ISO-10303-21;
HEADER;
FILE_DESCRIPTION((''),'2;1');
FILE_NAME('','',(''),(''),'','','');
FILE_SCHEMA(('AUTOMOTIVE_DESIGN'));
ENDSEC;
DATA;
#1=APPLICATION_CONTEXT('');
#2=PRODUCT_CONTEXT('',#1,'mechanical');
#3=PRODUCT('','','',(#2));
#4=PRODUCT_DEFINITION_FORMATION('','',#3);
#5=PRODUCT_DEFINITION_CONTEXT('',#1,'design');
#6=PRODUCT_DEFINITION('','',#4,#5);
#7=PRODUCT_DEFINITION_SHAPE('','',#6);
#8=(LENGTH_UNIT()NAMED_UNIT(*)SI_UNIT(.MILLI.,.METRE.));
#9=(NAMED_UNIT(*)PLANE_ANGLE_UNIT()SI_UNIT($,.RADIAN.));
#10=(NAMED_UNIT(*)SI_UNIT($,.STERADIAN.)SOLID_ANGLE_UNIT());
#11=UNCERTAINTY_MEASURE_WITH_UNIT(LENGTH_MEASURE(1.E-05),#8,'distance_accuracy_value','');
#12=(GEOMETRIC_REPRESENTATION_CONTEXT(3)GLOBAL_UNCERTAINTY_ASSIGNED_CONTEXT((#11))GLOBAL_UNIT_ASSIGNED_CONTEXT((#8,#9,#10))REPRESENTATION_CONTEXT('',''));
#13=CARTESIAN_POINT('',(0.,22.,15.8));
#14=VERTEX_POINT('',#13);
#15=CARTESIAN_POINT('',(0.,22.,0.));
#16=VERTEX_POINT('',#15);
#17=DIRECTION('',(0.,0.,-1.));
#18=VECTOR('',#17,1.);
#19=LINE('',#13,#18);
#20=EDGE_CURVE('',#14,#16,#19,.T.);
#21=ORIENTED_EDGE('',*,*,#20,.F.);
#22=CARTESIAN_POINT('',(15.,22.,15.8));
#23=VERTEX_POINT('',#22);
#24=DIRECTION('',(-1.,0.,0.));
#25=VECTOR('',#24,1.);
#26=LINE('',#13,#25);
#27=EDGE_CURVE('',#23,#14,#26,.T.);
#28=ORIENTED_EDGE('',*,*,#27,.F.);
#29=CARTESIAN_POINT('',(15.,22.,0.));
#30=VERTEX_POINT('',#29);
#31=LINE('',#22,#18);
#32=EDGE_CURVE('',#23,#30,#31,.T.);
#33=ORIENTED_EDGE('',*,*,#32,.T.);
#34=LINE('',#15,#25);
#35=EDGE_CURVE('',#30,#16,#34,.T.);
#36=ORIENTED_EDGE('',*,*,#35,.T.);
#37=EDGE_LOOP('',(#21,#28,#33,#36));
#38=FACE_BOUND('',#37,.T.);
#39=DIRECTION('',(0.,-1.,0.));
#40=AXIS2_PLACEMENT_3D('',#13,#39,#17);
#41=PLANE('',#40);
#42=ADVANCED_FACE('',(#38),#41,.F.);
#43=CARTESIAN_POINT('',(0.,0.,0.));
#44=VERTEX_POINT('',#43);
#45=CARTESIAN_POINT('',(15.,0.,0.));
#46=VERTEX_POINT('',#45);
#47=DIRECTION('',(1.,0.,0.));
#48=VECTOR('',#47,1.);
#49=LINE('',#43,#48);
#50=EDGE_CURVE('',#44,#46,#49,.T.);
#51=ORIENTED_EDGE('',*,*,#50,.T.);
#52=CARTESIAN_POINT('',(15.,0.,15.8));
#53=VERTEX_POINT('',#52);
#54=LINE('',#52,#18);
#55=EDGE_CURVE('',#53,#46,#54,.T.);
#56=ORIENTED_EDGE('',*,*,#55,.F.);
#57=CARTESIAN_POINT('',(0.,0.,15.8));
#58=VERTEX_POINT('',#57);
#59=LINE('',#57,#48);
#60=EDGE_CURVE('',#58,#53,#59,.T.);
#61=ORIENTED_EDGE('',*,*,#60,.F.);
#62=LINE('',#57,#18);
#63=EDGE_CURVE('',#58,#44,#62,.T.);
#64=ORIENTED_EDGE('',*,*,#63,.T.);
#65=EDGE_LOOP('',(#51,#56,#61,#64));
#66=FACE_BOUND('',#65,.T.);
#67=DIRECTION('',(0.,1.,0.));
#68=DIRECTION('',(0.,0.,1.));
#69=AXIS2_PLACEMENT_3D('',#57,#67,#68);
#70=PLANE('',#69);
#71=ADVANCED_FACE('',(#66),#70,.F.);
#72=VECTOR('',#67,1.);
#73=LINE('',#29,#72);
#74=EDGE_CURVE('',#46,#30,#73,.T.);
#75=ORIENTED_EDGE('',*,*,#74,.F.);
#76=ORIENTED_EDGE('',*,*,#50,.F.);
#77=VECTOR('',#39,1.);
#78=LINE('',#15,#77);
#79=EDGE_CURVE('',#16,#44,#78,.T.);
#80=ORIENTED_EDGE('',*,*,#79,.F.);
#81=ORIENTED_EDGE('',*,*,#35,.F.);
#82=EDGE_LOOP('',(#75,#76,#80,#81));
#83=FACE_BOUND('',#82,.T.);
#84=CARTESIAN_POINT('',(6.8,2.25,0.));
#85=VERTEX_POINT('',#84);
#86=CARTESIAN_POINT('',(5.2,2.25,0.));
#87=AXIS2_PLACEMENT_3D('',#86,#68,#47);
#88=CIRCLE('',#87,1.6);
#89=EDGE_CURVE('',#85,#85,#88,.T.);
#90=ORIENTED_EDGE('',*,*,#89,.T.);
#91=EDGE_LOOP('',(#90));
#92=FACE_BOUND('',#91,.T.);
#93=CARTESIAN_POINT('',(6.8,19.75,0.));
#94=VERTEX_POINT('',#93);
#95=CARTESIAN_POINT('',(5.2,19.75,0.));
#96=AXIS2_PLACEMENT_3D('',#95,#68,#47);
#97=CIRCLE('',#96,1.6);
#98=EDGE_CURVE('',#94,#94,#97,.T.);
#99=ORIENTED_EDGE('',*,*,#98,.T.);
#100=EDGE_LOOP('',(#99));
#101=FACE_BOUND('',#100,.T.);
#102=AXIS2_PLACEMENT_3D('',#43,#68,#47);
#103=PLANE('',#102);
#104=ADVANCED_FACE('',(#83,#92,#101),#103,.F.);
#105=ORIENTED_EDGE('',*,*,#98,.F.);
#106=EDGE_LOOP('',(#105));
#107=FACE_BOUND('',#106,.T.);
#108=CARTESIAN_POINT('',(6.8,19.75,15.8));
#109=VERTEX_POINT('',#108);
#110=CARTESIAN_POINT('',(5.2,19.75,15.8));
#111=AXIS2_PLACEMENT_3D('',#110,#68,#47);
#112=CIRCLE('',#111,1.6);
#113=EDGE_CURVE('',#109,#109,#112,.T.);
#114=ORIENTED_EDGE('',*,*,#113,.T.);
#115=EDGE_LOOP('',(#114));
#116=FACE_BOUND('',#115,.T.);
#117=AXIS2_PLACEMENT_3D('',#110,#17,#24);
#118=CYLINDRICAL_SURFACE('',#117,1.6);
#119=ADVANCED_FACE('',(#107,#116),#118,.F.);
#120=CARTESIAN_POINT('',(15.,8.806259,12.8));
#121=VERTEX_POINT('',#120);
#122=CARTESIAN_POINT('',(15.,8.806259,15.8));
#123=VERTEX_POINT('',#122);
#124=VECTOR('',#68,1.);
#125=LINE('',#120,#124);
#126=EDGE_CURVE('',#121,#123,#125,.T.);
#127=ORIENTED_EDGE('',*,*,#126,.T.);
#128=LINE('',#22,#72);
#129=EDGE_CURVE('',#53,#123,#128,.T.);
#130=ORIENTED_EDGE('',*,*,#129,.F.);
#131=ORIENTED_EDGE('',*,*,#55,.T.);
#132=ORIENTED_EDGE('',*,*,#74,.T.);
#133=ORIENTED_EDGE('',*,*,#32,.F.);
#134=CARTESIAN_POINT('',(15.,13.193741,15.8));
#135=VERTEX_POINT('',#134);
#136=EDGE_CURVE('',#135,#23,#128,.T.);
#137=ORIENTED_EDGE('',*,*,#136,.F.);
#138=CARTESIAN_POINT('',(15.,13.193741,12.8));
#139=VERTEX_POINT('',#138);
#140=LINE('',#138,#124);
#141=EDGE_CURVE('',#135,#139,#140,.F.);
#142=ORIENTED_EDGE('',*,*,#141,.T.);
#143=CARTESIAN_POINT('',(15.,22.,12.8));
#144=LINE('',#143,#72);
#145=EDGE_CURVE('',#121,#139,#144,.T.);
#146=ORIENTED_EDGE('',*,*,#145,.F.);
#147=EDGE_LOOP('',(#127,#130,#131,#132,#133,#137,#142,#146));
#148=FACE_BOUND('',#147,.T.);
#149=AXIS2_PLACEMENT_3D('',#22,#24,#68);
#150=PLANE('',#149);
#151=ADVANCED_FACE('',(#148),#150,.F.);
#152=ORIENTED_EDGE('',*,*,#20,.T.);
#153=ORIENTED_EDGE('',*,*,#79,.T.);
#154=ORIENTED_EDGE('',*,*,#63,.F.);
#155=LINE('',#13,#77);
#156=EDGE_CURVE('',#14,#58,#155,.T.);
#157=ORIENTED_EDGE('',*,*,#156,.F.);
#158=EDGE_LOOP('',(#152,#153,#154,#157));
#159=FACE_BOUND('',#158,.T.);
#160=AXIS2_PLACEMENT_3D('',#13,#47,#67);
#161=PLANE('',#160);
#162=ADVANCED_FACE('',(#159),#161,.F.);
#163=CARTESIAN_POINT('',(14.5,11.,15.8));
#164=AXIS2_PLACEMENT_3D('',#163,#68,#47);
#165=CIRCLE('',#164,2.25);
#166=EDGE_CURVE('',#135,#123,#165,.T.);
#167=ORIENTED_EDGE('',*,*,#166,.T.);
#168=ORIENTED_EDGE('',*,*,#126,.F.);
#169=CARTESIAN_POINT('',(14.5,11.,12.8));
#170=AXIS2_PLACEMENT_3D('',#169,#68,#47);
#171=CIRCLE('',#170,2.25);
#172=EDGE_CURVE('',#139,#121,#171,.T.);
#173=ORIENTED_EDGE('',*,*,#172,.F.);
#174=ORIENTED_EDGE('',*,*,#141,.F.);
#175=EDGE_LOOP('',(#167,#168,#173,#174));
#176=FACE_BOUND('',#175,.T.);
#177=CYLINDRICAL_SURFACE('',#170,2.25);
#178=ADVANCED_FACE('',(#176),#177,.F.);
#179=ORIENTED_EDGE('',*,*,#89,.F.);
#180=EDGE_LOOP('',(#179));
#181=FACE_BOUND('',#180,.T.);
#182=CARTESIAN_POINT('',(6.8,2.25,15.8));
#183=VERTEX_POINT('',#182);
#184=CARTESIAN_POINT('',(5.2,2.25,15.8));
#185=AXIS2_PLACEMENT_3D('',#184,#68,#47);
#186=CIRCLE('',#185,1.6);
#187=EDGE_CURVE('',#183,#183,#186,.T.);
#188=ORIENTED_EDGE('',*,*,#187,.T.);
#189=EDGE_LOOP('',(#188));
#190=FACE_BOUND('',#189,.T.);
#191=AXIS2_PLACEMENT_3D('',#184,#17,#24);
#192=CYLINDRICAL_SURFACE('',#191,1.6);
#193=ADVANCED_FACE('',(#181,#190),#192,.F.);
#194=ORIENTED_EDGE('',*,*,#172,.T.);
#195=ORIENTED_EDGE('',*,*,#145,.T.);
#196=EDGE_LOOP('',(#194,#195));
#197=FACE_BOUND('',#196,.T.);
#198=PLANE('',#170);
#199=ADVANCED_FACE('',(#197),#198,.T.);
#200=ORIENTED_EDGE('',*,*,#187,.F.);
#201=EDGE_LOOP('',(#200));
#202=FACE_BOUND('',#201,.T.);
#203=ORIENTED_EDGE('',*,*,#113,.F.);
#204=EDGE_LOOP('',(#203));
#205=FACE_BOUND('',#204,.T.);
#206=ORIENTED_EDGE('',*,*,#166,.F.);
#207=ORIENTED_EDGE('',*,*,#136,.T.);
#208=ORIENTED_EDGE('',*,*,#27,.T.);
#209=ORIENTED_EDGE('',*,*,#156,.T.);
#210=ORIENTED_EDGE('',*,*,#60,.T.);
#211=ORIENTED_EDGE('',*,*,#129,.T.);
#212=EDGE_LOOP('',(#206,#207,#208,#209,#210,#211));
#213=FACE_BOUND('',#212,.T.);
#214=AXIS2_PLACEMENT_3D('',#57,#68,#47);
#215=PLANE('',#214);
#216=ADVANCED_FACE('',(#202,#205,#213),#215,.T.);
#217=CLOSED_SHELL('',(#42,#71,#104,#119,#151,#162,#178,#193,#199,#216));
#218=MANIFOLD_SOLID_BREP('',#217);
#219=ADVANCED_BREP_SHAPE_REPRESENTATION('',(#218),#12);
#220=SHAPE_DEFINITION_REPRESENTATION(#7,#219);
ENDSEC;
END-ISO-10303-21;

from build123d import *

# Parameters (mm, degrees)
SKETCH_1_W          = 15
SKETCH_1_H          = 22
SKETCH_1_R          = 1.6
EXTRUDE_1_DEPTH     = 15.8
SKETCH_2_R          = 2.25
CUT_EXTRUDE_1_DEPTH = 3


with BuildPart() as part:
    # Эскиз1 → Бобышка-Вытянуть1 (new body)
    with BuildSketch(Plane.XY):
        with Locations((7.5, 11)):
            Rectangle(SKETCH_1_W, SKETCH_1_H)
        with Locations((5.2, 19.75)):
            Circle(SKETCH_1_R, mode=Mode.SUBTRACT)
        with Locations((5.2, 2.25)):
            Circle(SKETCH_1_R, mode=Mode.SUBTRACT)
    extrude(amount=EXTRUDE_1_DEPTH)

    # Эскиз2 → Вырез-Вытянуть1 (cut)
    with BuildSketch(Plane.XY.offset(15.8)):
        with Locations((14.5, 11)):
            Circle(SKETCH_2_R)
    extrude(amount=-CUT_EXTRUDE_1_DEPTH, mode=Mode.SUBTRACT)


solid = part.part
